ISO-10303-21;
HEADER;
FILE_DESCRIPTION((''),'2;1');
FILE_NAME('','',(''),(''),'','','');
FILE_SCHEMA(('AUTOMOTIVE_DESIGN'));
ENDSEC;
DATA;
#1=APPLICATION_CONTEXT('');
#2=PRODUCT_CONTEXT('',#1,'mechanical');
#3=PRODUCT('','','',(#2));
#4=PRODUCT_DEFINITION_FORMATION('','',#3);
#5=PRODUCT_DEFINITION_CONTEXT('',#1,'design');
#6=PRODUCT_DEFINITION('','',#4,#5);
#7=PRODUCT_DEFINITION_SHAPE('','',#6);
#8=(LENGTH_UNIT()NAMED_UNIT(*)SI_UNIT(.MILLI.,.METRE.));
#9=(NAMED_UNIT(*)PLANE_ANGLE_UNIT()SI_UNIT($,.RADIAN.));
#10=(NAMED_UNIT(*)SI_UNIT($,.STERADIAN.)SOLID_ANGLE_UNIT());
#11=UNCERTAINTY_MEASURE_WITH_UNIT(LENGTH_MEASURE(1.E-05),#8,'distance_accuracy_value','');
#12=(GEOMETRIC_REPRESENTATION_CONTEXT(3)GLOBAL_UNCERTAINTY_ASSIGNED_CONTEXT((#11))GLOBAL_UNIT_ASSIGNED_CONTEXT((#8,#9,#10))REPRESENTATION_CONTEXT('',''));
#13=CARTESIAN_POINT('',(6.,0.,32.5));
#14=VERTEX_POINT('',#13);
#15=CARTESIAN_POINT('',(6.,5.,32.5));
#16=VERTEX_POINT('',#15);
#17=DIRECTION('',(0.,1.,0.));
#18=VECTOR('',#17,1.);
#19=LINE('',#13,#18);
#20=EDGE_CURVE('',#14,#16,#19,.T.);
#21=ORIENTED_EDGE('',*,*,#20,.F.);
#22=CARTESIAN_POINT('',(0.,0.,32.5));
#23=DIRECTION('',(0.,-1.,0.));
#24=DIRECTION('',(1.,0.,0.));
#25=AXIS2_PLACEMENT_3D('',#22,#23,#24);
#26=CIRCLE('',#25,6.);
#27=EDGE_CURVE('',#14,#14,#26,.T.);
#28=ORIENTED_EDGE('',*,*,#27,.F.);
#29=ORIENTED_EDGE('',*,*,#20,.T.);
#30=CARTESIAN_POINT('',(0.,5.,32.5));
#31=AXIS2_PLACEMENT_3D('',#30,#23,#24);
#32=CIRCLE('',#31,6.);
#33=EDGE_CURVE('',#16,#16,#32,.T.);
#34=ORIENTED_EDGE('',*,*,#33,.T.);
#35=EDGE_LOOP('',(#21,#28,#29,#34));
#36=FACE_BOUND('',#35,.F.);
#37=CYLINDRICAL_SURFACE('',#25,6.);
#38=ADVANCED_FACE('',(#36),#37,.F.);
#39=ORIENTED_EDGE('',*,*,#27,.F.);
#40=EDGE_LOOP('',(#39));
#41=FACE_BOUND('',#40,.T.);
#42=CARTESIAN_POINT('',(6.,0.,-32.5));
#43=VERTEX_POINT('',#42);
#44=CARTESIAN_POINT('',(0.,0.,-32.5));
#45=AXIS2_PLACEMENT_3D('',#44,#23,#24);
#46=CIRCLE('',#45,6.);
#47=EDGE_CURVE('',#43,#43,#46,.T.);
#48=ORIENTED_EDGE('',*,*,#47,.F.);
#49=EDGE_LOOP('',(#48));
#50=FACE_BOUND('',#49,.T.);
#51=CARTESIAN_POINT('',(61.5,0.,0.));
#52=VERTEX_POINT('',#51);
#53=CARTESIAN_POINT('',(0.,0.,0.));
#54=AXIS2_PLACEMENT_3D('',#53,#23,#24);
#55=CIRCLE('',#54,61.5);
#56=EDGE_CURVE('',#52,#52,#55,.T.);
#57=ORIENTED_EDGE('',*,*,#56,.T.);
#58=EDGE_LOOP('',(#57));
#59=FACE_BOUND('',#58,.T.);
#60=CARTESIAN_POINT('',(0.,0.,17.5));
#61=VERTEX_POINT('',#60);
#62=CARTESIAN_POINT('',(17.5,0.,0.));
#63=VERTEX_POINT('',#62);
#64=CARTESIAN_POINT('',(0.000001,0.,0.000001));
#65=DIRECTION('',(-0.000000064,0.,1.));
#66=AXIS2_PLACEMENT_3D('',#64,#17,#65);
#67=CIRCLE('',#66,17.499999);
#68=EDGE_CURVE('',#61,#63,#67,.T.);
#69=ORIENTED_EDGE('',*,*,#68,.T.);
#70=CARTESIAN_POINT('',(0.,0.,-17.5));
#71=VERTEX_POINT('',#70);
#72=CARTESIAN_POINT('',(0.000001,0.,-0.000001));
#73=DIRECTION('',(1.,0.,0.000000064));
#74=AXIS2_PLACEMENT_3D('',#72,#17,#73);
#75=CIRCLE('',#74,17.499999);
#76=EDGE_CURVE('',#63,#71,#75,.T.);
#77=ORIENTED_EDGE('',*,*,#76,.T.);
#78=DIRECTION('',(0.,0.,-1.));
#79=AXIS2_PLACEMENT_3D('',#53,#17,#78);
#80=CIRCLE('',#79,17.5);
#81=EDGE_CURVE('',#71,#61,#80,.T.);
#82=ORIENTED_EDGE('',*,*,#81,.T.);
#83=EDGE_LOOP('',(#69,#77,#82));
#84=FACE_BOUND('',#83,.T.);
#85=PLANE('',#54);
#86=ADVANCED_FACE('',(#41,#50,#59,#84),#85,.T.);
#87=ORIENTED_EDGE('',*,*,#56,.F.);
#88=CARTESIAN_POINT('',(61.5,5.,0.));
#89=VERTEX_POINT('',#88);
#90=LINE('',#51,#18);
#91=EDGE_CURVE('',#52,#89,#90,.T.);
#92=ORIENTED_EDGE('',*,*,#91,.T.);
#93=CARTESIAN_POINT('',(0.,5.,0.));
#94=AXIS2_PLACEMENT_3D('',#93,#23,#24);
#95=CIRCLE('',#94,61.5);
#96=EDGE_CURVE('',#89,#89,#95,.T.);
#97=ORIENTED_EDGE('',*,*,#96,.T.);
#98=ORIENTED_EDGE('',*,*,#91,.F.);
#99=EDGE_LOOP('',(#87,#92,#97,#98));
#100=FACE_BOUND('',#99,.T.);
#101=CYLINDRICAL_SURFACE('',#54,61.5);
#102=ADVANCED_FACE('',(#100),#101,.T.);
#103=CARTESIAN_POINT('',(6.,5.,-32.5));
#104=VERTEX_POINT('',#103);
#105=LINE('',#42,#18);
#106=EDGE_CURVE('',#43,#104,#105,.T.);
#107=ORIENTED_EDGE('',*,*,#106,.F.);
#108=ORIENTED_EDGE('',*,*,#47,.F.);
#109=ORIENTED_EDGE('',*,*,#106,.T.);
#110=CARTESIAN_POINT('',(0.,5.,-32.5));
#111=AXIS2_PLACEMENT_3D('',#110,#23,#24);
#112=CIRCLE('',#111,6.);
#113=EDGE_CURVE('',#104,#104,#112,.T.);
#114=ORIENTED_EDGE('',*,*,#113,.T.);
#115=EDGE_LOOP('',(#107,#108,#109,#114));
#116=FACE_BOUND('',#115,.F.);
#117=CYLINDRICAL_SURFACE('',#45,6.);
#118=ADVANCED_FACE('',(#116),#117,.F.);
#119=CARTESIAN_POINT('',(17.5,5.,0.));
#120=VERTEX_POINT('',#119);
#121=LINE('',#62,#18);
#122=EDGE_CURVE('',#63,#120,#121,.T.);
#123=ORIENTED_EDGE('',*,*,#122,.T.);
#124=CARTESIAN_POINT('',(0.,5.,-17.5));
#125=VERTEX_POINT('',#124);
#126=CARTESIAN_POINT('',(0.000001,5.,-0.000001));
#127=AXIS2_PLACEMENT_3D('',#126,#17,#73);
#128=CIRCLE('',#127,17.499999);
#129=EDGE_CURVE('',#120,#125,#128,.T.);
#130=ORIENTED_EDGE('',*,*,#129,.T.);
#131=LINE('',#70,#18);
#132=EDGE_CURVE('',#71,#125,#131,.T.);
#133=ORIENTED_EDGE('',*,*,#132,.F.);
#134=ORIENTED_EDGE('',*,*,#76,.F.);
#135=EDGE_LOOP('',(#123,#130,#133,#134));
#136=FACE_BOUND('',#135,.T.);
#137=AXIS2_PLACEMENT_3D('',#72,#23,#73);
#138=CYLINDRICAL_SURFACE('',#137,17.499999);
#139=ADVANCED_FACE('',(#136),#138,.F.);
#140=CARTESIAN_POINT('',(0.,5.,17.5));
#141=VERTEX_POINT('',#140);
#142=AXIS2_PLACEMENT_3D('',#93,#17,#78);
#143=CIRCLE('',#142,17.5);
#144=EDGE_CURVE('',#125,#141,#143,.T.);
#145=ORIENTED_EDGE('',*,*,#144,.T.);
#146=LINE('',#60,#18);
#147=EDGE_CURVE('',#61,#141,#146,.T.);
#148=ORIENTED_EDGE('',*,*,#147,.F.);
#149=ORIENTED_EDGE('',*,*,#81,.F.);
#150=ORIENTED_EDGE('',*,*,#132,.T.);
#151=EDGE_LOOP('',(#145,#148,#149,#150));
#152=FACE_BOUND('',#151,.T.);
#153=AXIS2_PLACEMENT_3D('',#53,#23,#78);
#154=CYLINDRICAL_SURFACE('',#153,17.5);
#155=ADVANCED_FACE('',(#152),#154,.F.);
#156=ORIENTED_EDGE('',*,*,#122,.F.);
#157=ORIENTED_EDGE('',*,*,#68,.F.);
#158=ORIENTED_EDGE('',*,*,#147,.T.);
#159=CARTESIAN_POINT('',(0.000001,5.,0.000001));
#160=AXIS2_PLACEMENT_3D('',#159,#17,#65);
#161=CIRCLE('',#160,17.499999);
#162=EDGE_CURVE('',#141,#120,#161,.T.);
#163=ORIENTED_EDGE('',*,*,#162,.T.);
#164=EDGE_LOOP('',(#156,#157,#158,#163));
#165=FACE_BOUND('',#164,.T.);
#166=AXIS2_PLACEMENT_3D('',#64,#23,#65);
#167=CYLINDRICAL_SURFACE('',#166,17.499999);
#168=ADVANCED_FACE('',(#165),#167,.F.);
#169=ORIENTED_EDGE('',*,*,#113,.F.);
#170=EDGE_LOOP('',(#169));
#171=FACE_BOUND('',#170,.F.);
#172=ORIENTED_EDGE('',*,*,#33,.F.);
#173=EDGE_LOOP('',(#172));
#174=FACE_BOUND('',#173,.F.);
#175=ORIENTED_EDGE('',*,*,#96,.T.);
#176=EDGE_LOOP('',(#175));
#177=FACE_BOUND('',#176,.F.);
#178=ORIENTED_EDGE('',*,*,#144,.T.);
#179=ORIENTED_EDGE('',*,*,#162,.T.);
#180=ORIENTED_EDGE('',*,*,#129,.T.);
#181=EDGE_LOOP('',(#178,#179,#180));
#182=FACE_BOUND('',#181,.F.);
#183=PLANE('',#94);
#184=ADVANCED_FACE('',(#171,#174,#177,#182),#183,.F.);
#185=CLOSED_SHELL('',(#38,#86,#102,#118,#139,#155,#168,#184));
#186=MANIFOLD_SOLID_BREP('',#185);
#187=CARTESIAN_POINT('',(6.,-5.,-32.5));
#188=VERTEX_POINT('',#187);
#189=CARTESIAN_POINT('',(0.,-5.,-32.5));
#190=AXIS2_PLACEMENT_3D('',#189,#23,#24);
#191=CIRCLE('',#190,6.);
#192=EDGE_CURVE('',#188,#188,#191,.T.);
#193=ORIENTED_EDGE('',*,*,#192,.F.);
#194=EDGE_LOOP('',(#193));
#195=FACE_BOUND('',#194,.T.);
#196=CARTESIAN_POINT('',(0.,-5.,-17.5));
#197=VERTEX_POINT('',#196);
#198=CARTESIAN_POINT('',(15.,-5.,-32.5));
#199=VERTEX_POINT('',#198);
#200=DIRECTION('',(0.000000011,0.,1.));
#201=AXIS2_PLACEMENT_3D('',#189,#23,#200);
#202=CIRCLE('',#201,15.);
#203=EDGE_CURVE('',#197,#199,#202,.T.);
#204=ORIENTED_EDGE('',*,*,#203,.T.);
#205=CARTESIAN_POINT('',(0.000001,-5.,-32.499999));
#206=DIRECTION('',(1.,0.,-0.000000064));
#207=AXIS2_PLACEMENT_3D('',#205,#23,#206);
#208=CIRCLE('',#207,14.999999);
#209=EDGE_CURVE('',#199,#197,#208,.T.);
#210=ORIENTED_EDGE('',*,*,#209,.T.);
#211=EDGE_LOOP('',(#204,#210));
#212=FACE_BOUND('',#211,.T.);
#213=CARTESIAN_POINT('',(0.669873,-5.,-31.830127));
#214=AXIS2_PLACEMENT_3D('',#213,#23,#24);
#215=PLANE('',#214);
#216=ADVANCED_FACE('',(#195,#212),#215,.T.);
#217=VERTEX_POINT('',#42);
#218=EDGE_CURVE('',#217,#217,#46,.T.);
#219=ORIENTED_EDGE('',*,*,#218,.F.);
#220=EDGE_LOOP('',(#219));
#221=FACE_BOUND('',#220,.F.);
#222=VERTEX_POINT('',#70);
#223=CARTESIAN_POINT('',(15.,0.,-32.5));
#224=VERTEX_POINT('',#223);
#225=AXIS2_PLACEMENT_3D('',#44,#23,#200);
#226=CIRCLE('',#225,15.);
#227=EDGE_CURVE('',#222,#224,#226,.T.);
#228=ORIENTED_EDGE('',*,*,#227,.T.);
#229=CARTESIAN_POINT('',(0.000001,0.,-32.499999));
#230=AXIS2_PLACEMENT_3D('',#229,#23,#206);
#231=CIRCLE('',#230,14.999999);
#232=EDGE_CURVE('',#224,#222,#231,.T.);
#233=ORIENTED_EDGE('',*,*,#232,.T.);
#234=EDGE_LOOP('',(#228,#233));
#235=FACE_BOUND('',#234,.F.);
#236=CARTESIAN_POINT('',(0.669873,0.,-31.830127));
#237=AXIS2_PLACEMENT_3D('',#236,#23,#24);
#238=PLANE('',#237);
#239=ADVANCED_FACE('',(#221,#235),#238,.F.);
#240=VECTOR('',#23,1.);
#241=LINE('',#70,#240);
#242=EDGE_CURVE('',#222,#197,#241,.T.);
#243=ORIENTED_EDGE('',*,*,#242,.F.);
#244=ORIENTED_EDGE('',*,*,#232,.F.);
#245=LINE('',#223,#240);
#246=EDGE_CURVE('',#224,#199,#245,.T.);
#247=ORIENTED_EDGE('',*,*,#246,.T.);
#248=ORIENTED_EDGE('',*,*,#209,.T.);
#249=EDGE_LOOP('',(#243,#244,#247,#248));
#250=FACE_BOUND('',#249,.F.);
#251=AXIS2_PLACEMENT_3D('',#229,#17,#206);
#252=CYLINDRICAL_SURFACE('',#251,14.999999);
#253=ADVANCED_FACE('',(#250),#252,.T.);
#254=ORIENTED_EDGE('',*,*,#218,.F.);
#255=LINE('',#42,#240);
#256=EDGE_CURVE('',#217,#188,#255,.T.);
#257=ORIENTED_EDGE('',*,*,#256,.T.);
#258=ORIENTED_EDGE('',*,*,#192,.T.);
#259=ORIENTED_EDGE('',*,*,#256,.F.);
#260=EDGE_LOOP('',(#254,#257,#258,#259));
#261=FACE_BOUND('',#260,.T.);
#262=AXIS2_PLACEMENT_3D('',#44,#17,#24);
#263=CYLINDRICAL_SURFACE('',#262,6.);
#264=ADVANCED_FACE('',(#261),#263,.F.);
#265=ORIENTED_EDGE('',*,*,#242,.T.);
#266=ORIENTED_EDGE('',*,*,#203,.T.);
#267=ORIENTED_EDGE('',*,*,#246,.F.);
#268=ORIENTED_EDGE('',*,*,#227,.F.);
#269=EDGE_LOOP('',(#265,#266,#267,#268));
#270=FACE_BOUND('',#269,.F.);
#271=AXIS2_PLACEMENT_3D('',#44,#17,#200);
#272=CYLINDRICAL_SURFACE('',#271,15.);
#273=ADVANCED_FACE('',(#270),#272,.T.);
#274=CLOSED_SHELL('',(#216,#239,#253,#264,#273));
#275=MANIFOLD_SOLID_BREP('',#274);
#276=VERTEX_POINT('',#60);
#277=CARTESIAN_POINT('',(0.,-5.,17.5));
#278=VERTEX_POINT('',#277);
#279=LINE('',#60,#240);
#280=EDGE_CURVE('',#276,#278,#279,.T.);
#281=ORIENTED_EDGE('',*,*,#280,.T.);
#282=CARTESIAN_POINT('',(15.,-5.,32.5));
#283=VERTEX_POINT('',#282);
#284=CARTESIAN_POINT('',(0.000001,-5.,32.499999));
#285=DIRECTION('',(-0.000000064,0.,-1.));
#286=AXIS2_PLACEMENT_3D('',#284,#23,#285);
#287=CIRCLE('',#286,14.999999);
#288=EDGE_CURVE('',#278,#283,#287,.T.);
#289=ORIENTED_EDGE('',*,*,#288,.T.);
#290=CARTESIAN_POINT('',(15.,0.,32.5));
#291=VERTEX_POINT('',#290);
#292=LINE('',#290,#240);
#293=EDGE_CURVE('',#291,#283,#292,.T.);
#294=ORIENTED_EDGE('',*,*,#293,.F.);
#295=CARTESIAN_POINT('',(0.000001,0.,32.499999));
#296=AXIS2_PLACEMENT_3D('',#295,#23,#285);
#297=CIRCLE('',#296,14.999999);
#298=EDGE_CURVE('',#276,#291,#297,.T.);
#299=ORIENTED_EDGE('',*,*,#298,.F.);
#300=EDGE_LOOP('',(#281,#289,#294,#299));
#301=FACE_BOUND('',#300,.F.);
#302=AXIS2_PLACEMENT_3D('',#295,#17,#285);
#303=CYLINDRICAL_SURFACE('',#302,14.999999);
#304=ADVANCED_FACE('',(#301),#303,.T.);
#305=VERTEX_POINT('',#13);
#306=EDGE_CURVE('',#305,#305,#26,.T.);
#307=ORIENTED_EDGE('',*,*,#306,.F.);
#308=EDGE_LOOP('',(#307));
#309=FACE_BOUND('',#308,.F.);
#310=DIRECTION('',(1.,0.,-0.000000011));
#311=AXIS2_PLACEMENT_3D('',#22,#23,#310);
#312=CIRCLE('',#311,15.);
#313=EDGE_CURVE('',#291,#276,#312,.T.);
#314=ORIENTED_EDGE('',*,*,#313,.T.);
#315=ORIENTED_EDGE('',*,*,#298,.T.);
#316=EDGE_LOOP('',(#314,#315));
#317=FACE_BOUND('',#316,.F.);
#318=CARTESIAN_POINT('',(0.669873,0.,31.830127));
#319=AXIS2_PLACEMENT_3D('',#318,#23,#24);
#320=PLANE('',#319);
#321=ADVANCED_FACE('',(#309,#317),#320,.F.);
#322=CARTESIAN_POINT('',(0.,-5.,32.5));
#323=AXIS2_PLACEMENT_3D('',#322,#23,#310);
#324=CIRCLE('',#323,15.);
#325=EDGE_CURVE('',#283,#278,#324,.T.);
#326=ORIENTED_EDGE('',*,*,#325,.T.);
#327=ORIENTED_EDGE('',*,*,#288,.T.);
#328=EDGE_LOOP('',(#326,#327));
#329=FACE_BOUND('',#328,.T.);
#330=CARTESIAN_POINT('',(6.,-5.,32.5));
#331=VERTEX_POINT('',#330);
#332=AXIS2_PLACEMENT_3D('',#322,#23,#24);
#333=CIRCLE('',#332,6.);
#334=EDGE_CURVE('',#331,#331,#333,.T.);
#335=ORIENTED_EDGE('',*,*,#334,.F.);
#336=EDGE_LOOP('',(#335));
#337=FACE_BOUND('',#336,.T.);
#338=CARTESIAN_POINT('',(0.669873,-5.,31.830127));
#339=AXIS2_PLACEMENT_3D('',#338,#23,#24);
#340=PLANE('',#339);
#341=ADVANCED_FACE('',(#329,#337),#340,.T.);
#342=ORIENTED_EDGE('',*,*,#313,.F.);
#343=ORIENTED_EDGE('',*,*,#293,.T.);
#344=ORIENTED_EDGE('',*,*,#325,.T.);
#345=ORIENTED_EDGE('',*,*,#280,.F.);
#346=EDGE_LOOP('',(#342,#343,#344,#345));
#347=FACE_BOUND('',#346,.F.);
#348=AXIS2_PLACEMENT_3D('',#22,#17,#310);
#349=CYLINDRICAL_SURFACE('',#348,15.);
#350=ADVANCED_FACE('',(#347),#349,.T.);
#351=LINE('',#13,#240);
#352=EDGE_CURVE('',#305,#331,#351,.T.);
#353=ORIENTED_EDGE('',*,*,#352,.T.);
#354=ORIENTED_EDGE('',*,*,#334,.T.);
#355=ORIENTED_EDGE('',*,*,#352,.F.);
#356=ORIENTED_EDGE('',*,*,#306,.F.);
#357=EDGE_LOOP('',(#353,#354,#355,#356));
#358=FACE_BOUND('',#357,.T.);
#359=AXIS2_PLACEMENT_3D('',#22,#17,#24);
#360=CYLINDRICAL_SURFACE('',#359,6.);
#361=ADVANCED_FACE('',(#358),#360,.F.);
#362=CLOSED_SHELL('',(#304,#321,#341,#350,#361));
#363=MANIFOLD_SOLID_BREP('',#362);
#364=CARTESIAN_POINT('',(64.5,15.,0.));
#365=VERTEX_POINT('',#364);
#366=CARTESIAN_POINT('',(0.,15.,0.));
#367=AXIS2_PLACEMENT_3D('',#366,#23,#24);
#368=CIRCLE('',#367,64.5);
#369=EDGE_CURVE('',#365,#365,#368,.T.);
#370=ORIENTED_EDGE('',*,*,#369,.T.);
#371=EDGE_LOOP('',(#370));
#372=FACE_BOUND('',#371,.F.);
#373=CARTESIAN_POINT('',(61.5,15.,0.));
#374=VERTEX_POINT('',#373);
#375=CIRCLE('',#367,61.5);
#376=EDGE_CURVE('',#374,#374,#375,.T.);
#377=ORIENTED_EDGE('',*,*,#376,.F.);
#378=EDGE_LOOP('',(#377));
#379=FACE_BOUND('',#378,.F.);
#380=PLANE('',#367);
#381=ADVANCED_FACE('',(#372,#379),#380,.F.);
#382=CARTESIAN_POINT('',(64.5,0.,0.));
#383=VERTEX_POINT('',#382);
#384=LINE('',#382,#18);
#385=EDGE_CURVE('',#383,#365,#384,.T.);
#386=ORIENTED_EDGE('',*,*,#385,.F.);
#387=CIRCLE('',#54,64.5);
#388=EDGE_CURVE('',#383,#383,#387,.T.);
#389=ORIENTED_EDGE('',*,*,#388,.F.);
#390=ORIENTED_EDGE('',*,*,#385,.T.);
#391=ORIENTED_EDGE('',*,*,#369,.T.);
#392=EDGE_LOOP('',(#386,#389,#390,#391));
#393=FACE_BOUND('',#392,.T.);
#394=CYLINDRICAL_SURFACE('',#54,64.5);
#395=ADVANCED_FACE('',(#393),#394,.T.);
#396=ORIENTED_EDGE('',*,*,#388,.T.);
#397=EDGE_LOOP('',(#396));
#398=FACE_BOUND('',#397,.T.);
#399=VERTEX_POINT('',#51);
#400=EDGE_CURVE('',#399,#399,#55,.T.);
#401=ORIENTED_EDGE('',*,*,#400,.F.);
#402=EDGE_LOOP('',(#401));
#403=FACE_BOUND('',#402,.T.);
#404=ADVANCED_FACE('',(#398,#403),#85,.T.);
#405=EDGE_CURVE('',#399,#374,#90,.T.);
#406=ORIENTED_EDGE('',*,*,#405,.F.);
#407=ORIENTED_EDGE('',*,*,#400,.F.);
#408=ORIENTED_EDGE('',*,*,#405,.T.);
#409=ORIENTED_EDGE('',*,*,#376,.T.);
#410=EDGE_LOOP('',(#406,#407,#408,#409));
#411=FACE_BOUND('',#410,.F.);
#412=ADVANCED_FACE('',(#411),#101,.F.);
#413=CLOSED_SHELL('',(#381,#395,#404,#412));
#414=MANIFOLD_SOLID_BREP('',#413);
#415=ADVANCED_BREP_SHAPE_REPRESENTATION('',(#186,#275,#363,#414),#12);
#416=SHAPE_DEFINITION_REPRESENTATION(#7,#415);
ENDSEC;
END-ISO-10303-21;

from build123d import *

# Parameters (mm, degrees)
F0_R     = 61.5
F0_R_2   = 6
F1_DEPTH = 5
F0_R_3   = 64.5
F2_DEPTH = 15
F3_DEPTH = 5


with BuildPart() as f1:
    # F0 (on Front) → F1 (new body)
    with BuildSketch(Plane.XZ):
        Circle(F0_R)
        with BuildLine():
            ThreePointArc((15, -32.5), (-10.606602, -43.106602), (0, -17.5))
            ThreePointArc((0, -17.5), (10.606602, -21.893398), (15, -32.5))
        make_face(mode=Mode.SUBTRACT)
        with BuildLine():
            ThreePointArc((0, 17.5), (12.374369, 12.374369), (17.5, 0))
            ThreePointArc((17.5, 0), (12.374369, -12.374369), (0, -17.5))
            ThreePointArc((0, -17.5), (-17.5, 0), (0, 17.5))
        make_face(mode=Mode.SUBTRACT)
        with BuildLine():
            ThreePointArc((15, 32.5), (10.606602, 21.893398), (0, 17.5))
            ThreePointArc((0, 17.5), (-10.606602, 43.106602), (15, 32.5))
        make_face(mode=Mode.SUBTRACT)
        with BuildLine():
            ThreePointArc((15, 32.5), (-10.606602, 43.106602), (0, 17.5))
            ThreePointArc((0, 17.5), (10.606602, 21.893398), (15, 32.5))
        make_face()
        with Locations((0, 32.5)):
            Circle(F0_R_2, mode=Mode.SUBTRACT)
        with BuildLine():
            ThreePointArc((15, -32.5), (10.606602, -21.893398), (0, -17.5))
            ThreePointArc((0, -17.5), (-10.606602, -43.106602), (15, -32.5))
        make_face()
        with Locations((0, -32.5)):
            Circle(F0_R_2, mode=Mode.SUBTRACT)
    extrude(amount=-F1_DEPTH)


with BuildPart() as f2:
    # F0 (on Front) → F2 (new body)
    with BuildSketch(Plane.XZ):
        Circle(F0_R_3)
        Circle(F0_R, mode=Mode.SUBTRACT)
    extrude(amount=-F2_DEPTH)


with BuildPart() as f3:
    # F0 (on Front) → F3 (new body)
    with BuildSketch(Plane.XZ):
        with BuildLine():
            ThreePointArc((15, 32.5), (-10.606602, 43.106602), (0, 17.5))
            ThreePointArc((0, 17.5), (10.606602, 21.893398), (15, 32.5))
        make_face()
        with Locations((0, 32.5)):
            Circle(F0_R_2, mode=Mode.SUBTRACT)
        with BuildLine():
            ThreePointArc((15, -32.5), (10.606602, -21.893398), (0, -17.5))
            ThreePointArc((0, -17.5), (-10.606602, -43.106602), (15, -32.5))
        make_face()
        with Locations((0, -32.5)):
            Circle(F0_R_2, mode=Mode.SUBTRACT)
    extrude(amount=F3_DEPTH)


solid = Compound([f1.part, f2.part, f3.part])
